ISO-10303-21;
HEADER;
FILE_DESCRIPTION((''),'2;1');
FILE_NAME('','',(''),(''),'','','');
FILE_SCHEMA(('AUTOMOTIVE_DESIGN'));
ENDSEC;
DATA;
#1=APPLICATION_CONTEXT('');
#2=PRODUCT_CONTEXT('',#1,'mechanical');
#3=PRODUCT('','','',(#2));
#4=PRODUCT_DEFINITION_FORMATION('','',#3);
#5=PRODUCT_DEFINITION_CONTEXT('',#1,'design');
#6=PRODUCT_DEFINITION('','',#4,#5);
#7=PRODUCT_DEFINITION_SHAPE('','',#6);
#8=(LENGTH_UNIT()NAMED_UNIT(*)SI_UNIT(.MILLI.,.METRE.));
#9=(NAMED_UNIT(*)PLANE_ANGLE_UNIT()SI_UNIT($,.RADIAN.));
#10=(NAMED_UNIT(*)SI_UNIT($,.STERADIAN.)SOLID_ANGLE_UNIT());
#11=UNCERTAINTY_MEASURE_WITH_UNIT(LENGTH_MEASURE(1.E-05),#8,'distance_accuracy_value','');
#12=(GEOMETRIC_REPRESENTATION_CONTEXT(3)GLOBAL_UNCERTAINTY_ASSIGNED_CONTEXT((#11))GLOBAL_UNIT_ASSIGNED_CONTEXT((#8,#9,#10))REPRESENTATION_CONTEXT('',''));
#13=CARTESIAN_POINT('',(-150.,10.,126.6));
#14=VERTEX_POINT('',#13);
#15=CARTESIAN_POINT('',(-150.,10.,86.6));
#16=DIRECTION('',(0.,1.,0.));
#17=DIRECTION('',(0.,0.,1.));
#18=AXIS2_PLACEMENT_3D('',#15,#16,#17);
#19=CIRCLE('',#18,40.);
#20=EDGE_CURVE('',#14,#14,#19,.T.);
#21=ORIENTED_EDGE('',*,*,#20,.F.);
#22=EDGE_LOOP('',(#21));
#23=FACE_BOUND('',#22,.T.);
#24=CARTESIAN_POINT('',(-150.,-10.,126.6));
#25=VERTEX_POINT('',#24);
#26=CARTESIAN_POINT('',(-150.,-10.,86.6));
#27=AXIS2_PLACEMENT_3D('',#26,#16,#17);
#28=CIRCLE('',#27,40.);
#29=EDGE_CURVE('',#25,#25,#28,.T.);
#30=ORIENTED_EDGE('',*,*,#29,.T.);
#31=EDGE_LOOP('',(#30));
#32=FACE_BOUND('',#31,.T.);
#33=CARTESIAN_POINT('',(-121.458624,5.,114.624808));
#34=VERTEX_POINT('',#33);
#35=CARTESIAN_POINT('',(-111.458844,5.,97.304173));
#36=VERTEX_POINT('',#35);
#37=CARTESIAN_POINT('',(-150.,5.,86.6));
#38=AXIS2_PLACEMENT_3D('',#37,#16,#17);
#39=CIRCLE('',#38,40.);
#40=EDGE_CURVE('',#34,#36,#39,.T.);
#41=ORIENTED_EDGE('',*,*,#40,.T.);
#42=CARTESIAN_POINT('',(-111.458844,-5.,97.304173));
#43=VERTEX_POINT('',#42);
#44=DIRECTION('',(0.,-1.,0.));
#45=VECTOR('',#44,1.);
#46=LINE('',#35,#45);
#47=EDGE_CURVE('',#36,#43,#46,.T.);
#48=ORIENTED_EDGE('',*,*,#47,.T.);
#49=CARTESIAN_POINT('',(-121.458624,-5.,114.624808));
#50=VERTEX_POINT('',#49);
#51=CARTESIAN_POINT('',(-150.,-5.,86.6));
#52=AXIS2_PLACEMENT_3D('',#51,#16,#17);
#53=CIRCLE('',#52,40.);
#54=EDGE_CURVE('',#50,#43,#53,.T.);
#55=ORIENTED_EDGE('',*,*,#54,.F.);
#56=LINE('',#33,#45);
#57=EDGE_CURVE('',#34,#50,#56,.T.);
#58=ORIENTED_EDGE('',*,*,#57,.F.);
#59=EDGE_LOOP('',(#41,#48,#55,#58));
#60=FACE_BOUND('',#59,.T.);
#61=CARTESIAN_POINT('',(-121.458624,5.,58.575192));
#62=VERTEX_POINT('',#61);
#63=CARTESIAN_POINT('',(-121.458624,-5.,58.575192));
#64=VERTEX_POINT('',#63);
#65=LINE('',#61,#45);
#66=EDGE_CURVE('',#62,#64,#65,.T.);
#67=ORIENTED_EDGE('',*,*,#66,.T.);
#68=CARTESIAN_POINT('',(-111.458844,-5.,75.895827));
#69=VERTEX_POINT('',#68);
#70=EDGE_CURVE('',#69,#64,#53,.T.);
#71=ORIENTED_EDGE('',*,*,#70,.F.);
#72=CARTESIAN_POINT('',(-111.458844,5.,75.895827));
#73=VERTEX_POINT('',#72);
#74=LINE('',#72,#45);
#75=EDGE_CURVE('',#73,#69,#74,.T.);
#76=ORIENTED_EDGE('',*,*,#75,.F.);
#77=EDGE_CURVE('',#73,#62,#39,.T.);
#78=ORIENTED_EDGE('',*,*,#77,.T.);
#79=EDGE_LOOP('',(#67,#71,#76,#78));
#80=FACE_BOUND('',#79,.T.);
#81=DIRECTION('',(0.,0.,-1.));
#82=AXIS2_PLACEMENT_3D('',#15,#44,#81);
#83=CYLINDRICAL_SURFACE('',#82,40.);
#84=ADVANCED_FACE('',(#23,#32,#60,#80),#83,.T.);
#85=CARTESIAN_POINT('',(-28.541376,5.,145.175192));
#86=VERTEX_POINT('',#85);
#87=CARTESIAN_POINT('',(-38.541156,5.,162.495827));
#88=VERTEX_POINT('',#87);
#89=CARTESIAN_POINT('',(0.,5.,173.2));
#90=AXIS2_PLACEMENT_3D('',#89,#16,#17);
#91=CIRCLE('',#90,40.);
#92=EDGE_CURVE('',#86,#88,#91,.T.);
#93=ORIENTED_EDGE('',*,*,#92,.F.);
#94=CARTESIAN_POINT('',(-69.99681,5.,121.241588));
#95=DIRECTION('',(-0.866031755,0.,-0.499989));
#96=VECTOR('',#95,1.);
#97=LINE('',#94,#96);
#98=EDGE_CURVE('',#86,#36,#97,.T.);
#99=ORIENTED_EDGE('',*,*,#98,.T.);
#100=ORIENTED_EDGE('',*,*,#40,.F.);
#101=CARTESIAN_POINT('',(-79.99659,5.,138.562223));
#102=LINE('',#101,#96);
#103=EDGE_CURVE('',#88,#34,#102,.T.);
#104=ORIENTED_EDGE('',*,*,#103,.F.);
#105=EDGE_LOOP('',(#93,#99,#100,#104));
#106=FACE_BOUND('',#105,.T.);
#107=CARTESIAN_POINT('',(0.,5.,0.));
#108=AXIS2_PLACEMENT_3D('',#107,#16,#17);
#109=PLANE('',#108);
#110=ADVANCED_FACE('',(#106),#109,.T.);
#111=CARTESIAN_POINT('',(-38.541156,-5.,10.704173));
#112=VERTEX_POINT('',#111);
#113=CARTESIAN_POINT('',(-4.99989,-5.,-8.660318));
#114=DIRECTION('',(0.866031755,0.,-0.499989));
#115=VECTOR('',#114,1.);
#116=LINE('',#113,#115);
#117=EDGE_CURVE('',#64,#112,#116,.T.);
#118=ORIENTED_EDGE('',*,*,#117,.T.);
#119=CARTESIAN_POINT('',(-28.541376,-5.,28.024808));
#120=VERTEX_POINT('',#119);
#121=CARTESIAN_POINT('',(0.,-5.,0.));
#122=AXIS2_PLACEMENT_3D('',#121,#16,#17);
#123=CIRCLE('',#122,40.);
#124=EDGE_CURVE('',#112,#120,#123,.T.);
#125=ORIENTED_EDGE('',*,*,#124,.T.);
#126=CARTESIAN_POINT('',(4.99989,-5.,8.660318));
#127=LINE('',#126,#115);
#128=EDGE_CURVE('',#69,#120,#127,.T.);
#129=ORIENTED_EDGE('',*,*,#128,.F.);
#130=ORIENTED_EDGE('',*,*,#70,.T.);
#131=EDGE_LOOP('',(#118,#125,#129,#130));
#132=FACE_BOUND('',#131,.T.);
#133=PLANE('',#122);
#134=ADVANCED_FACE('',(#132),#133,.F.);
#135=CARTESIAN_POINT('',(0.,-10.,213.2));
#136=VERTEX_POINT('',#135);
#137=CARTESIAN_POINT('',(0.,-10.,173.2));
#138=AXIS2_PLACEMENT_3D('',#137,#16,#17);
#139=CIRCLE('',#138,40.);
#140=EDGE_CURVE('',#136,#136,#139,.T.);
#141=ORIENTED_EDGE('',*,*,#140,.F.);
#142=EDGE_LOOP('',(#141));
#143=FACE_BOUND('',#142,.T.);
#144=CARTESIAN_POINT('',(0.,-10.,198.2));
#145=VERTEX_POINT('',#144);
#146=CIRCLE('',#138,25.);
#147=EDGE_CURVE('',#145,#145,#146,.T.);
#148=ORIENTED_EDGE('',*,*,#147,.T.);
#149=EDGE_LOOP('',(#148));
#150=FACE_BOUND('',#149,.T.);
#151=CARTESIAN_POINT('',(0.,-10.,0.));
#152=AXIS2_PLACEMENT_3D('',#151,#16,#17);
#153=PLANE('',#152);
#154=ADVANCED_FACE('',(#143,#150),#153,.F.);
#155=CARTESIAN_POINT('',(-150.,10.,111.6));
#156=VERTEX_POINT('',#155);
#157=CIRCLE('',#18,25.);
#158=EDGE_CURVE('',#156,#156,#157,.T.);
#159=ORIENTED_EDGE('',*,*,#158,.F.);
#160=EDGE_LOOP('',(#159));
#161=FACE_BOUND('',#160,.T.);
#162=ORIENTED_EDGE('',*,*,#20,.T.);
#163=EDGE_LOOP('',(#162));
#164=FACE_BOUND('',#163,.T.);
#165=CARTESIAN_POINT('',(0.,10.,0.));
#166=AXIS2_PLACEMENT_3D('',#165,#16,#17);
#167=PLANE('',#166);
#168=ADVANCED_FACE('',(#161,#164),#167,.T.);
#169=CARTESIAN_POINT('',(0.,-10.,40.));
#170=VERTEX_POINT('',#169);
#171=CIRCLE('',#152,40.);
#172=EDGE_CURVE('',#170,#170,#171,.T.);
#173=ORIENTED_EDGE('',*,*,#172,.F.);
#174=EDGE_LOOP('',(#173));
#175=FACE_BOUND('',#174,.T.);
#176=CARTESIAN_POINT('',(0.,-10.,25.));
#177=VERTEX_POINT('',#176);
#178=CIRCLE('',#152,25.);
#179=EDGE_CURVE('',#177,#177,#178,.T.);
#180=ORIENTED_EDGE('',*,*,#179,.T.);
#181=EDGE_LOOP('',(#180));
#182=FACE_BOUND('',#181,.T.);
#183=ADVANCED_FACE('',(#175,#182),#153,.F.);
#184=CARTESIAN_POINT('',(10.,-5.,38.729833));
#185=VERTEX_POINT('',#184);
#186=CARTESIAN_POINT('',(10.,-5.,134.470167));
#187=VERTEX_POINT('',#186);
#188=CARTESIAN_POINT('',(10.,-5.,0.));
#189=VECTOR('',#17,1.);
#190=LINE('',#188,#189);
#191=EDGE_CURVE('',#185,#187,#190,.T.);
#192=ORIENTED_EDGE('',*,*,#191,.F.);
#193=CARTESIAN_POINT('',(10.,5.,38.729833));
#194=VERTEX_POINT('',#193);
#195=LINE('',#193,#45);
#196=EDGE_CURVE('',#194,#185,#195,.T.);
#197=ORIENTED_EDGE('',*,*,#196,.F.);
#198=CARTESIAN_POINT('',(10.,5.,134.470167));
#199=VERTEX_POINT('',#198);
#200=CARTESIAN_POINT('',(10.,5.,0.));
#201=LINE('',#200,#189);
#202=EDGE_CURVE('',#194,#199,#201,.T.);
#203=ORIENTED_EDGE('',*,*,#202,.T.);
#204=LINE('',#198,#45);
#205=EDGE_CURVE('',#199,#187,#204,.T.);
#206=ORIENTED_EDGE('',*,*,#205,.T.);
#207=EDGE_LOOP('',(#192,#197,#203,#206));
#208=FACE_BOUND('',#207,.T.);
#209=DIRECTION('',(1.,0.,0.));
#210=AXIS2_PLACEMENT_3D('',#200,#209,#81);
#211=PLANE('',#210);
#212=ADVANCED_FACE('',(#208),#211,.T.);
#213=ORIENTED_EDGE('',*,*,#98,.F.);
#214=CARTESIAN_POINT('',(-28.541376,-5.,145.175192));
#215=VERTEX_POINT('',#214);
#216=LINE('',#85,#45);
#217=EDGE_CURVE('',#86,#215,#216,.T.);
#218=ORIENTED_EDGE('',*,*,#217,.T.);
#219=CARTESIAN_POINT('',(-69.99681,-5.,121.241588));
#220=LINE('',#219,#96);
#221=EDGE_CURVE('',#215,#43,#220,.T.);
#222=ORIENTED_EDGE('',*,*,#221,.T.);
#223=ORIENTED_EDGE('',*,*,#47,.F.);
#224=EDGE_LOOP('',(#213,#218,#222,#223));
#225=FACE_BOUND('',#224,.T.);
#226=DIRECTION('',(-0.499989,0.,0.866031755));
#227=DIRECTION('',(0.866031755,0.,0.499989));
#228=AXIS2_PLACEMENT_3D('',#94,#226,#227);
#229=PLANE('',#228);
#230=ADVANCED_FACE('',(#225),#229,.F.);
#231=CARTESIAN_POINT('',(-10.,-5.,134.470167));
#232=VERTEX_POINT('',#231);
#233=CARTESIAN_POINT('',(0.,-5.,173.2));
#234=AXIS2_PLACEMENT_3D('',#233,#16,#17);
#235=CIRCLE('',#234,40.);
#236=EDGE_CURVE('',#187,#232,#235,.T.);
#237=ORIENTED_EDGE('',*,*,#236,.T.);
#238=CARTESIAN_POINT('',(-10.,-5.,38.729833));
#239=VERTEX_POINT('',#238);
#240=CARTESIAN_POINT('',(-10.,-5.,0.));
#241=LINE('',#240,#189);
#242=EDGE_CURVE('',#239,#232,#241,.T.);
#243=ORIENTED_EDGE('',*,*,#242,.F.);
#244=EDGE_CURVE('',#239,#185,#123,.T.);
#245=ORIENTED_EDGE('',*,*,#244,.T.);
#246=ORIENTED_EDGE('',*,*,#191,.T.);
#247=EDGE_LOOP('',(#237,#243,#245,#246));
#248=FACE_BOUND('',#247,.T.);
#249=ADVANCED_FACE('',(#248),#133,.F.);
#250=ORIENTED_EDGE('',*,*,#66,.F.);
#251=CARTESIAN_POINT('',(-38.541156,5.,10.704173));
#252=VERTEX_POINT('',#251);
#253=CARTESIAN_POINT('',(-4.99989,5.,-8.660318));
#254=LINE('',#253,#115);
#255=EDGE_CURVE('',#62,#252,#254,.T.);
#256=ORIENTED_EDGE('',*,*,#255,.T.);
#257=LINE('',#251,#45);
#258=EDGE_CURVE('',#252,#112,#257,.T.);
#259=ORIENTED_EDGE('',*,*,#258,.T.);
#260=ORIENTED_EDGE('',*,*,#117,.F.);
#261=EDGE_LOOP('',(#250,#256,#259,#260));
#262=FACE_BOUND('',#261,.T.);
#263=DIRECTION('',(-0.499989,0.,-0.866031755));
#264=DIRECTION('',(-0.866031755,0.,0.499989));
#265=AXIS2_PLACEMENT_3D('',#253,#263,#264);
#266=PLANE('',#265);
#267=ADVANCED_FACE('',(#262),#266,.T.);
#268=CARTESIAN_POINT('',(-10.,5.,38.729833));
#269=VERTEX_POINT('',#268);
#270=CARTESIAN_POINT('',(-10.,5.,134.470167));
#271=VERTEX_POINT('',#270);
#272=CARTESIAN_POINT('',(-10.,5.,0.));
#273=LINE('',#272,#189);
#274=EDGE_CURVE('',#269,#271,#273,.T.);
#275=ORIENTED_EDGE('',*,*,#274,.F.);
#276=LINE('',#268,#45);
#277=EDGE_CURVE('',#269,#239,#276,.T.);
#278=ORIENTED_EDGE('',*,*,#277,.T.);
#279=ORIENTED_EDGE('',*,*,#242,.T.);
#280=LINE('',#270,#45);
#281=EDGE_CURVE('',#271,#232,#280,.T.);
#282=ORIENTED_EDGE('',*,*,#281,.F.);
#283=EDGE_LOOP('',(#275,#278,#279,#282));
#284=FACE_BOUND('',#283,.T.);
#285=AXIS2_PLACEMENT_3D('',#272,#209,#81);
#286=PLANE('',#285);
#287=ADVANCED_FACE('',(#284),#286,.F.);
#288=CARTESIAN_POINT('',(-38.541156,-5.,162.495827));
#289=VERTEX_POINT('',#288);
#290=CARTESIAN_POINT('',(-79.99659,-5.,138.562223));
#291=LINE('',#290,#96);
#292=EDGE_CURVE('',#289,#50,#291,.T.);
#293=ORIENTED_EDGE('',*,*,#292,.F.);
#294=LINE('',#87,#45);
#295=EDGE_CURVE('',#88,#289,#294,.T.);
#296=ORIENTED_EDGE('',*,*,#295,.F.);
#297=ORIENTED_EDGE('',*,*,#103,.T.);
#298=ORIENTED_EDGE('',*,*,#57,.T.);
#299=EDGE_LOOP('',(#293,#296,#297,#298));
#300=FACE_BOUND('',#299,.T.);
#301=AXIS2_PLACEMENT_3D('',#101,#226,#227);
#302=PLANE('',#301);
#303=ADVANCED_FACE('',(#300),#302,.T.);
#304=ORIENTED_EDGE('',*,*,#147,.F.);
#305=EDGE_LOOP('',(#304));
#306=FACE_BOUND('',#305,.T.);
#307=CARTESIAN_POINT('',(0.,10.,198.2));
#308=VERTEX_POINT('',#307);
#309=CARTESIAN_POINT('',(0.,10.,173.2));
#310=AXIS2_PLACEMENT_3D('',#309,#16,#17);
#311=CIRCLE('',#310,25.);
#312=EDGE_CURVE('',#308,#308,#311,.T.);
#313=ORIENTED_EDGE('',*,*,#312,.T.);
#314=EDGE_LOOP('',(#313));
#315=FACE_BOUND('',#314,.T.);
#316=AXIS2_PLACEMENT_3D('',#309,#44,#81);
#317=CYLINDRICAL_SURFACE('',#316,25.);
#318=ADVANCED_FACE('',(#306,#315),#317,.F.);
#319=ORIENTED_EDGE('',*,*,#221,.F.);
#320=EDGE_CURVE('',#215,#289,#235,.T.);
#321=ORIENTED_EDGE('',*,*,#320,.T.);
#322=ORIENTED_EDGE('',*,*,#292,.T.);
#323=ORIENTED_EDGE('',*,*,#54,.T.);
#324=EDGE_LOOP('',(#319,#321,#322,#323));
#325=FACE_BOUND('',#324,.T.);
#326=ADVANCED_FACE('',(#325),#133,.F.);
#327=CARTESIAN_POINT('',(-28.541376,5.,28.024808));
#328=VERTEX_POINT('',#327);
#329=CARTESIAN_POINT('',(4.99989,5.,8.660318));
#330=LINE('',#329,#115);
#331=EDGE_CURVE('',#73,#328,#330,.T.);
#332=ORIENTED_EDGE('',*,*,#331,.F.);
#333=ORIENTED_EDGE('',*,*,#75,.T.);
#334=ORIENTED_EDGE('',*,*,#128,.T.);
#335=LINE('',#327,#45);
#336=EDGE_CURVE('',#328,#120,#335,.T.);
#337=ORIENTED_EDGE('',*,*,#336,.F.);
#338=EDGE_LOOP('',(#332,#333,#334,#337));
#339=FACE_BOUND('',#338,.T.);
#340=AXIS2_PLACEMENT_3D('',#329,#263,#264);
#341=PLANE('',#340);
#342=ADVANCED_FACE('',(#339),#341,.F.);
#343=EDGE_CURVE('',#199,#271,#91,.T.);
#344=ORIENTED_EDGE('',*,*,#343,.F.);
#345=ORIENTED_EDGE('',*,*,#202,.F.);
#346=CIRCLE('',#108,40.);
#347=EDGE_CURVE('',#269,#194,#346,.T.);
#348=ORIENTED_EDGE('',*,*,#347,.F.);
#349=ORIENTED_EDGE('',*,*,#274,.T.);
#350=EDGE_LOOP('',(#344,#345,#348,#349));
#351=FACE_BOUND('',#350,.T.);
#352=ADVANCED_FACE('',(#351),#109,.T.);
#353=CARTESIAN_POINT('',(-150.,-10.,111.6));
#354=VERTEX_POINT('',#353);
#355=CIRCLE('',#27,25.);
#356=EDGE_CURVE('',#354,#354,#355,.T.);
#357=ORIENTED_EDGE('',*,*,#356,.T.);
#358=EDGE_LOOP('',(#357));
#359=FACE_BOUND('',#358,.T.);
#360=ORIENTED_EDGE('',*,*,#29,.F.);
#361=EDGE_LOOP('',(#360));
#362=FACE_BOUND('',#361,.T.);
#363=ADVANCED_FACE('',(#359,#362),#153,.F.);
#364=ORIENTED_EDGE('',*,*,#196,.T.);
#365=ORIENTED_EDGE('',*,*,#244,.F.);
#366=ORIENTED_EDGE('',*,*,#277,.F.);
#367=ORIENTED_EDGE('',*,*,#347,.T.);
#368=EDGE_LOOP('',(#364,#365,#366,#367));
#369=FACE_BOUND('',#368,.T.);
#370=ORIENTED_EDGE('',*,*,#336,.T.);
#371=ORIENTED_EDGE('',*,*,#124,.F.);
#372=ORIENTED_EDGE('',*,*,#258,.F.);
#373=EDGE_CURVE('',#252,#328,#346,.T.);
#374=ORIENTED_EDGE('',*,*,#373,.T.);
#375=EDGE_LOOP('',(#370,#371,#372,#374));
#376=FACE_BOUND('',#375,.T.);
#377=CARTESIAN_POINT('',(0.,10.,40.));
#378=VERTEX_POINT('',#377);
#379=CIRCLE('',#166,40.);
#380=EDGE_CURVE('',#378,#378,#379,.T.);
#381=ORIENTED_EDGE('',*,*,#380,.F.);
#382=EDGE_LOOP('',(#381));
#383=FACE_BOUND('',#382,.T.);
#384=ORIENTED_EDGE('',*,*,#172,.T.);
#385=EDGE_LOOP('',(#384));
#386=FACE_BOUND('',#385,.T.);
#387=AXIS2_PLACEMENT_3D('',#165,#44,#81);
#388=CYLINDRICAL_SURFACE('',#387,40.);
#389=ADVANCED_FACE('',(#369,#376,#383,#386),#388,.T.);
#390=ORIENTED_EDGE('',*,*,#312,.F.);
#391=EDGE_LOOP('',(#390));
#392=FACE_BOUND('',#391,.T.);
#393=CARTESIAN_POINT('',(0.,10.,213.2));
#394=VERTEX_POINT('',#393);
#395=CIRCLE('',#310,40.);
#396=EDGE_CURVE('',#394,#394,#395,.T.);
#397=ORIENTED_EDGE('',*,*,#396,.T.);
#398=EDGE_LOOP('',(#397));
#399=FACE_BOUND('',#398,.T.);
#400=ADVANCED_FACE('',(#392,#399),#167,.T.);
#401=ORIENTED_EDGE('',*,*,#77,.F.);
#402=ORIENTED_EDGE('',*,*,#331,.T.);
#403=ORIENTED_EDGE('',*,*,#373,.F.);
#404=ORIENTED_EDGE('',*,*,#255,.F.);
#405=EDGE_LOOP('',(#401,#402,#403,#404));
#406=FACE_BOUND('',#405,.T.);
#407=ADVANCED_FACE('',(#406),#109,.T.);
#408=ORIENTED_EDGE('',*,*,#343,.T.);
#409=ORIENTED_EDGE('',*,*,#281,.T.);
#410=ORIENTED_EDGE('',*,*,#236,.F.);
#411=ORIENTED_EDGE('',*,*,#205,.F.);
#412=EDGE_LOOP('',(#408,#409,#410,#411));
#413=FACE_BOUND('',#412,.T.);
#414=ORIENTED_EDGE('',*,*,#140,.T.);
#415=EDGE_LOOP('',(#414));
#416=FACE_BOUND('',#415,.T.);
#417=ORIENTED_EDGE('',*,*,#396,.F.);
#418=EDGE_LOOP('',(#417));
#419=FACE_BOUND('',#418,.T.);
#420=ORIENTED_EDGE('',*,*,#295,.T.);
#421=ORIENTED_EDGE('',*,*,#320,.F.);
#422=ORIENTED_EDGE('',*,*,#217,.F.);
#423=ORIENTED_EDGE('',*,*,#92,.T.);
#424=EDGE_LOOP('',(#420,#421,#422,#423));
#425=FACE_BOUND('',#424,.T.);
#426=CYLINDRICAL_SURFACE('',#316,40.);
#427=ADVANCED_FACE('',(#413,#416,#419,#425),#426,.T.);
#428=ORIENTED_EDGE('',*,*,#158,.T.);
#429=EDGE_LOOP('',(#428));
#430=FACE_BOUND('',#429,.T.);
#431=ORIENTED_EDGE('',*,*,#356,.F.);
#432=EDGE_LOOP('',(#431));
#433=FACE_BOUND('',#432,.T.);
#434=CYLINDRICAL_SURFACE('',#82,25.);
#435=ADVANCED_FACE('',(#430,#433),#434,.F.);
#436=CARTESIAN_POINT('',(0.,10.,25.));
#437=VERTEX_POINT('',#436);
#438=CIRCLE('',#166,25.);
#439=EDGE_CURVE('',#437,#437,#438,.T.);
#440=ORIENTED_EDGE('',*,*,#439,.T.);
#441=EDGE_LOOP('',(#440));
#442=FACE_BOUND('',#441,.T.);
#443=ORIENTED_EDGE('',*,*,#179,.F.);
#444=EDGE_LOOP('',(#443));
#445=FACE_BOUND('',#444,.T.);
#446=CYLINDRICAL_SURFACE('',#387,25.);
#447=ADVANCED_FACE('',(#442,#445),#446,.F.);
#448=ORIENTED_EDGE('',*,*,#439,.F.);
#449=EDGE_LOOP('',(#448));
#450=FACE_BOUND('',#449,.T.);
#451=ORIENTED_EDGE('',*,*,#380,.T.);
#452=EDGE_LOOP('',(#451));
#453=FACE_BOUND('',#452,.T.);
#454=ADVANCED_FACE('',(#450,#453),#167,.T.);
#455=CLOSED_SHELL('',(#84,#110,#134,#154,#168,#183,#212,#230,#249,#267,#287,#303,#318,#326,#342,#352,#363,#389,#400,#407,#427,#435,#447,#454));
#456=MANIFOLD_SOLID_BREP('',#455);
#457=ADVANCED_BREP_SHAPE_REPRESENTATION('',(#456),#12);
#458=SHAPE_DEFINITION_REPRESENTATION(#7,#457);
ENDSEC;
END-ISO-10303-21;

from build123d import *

# Parameters (mm, degrees)
SKETCH1_R             = 40
SKETCH1_R_2           = 25
BOSS_EXTRUDE1_DEPTH   = 10
BOSS_EXTRUDE1_2_DEPTH = 10
BOSS_EXTRUDE1_3_DEPTH = 10
BOSS_EXTRUDE2_DEPTH   = 5


with BuildPart() as part:
    # Sketch1 → Boss-Extrude1 (new, symmetric)
    with BuildSketch(Plane(origin=(0, 0, 0), x_dir=(1, 0, 0), z_dir=(0, 1, 0))):
        with Locations((-150, -86.6)):
            Circle(SKETCH1_R)
        with Locations((-150, -86.6)):
            Circle(SKETCH1_R_2, mode=Mode.SUBTRACT)
    extrude(amount=BOSS_EXTRUDE1_DEPTH, both=True)



with BuildPart() as body_2:
    # Sketch1 → Boss-Extrude1 2 (new, symmetric)
    with BuildSketch(Plane(origin=(0, 0, 0), x_dir=(1, 0, 0), z_dir=(0, 1, 0))):
        Circle(SKETCH1_R)
        Circle(SKETCH1_R_2, mode=Mode.SUBTRACT)
    extrude(amount=BOSS_EXTRUDE1_2_DEPTH, both=True)


with BuildPart() as body_3:
    # Sketch1 → Boss-Extrude1 3 (new, symmetric)
    with BuildSketch(Plane(origin=(0, 0, 0), x_dir=(1, 0, 0), z_dir=(0, 1, 0))):
        with Locations((0, -173.2)):
            Circle(SKETCH1_R)
        with Locations((0, -173.2)):
            Circle(SKETCH1_R_2, mode=Mode.SUBTRACT)
    extrude(amount=BOSS_EXTRUDE1_3_DEPTH, both=True)


with BuildPart() as part_1:
    add(part.part)

    add(body_2.part)  # Boss-Extrude2 merges body 2

    add(body_3.part)  # Boss-Extrude2 merges body 3
    # Sketch1<3> → Boss-Extrude2 (add, symmetric)
    with BuildSketch(Plane(origin=(0, 0, 0), x_dir=(1, 0, 0), z_dir=(0, 1, 0))):
        with BuildLine():
            Line((-38.54115563, -10.704173145), (-121.458624364, -58.575191761))
            ThreePointArc((-121.458624364, -58.575191761), (-115.358729812, -66.600440011), (-111.45884437, -75.895826855))
            Line((-111.45884437, -75.895826855), (-28.541375636, -28.024808239))
            ThreePointArc((-28.541375636, -28.024808239), (-34.641270188, -19.999559989), (-38.54115563, -10.704173145))
        make_face()
        with BuildLine():
            ThreePointArc((-111.45884437, -97.304173145), (-115.358729812, -106.599559989), (-121.458624364, -114.624808239))
            Line((-121.458624364, -114.624808239), (-38.54115563, -162.495826855))
            ThreePointArc((-38.54115563, -162.495826855), (-34.641270188, -153.200440011), (-28.541375636, -145.175191761))
            Line((-28.541375636, -145.175191761), (-111.45884437, -97.304173145))
        make_face()
        with BuildLine():
            Line((10, -134.470166538), (10, -38.729833462))
            ThreePointArc((10, -38.729833462), (0, -40), (-10, -38.729833462))
            Line((-10, -38.729833462), (-10, -134.470166538))
            ThreePointArc((-10, -134.470166538), (0, -133.2), (10, -134.470166538))
        make_face()
    extrude(amount=BOSS_EXTRUDE2_DEPTH, both=True)


solid = part_1.part
